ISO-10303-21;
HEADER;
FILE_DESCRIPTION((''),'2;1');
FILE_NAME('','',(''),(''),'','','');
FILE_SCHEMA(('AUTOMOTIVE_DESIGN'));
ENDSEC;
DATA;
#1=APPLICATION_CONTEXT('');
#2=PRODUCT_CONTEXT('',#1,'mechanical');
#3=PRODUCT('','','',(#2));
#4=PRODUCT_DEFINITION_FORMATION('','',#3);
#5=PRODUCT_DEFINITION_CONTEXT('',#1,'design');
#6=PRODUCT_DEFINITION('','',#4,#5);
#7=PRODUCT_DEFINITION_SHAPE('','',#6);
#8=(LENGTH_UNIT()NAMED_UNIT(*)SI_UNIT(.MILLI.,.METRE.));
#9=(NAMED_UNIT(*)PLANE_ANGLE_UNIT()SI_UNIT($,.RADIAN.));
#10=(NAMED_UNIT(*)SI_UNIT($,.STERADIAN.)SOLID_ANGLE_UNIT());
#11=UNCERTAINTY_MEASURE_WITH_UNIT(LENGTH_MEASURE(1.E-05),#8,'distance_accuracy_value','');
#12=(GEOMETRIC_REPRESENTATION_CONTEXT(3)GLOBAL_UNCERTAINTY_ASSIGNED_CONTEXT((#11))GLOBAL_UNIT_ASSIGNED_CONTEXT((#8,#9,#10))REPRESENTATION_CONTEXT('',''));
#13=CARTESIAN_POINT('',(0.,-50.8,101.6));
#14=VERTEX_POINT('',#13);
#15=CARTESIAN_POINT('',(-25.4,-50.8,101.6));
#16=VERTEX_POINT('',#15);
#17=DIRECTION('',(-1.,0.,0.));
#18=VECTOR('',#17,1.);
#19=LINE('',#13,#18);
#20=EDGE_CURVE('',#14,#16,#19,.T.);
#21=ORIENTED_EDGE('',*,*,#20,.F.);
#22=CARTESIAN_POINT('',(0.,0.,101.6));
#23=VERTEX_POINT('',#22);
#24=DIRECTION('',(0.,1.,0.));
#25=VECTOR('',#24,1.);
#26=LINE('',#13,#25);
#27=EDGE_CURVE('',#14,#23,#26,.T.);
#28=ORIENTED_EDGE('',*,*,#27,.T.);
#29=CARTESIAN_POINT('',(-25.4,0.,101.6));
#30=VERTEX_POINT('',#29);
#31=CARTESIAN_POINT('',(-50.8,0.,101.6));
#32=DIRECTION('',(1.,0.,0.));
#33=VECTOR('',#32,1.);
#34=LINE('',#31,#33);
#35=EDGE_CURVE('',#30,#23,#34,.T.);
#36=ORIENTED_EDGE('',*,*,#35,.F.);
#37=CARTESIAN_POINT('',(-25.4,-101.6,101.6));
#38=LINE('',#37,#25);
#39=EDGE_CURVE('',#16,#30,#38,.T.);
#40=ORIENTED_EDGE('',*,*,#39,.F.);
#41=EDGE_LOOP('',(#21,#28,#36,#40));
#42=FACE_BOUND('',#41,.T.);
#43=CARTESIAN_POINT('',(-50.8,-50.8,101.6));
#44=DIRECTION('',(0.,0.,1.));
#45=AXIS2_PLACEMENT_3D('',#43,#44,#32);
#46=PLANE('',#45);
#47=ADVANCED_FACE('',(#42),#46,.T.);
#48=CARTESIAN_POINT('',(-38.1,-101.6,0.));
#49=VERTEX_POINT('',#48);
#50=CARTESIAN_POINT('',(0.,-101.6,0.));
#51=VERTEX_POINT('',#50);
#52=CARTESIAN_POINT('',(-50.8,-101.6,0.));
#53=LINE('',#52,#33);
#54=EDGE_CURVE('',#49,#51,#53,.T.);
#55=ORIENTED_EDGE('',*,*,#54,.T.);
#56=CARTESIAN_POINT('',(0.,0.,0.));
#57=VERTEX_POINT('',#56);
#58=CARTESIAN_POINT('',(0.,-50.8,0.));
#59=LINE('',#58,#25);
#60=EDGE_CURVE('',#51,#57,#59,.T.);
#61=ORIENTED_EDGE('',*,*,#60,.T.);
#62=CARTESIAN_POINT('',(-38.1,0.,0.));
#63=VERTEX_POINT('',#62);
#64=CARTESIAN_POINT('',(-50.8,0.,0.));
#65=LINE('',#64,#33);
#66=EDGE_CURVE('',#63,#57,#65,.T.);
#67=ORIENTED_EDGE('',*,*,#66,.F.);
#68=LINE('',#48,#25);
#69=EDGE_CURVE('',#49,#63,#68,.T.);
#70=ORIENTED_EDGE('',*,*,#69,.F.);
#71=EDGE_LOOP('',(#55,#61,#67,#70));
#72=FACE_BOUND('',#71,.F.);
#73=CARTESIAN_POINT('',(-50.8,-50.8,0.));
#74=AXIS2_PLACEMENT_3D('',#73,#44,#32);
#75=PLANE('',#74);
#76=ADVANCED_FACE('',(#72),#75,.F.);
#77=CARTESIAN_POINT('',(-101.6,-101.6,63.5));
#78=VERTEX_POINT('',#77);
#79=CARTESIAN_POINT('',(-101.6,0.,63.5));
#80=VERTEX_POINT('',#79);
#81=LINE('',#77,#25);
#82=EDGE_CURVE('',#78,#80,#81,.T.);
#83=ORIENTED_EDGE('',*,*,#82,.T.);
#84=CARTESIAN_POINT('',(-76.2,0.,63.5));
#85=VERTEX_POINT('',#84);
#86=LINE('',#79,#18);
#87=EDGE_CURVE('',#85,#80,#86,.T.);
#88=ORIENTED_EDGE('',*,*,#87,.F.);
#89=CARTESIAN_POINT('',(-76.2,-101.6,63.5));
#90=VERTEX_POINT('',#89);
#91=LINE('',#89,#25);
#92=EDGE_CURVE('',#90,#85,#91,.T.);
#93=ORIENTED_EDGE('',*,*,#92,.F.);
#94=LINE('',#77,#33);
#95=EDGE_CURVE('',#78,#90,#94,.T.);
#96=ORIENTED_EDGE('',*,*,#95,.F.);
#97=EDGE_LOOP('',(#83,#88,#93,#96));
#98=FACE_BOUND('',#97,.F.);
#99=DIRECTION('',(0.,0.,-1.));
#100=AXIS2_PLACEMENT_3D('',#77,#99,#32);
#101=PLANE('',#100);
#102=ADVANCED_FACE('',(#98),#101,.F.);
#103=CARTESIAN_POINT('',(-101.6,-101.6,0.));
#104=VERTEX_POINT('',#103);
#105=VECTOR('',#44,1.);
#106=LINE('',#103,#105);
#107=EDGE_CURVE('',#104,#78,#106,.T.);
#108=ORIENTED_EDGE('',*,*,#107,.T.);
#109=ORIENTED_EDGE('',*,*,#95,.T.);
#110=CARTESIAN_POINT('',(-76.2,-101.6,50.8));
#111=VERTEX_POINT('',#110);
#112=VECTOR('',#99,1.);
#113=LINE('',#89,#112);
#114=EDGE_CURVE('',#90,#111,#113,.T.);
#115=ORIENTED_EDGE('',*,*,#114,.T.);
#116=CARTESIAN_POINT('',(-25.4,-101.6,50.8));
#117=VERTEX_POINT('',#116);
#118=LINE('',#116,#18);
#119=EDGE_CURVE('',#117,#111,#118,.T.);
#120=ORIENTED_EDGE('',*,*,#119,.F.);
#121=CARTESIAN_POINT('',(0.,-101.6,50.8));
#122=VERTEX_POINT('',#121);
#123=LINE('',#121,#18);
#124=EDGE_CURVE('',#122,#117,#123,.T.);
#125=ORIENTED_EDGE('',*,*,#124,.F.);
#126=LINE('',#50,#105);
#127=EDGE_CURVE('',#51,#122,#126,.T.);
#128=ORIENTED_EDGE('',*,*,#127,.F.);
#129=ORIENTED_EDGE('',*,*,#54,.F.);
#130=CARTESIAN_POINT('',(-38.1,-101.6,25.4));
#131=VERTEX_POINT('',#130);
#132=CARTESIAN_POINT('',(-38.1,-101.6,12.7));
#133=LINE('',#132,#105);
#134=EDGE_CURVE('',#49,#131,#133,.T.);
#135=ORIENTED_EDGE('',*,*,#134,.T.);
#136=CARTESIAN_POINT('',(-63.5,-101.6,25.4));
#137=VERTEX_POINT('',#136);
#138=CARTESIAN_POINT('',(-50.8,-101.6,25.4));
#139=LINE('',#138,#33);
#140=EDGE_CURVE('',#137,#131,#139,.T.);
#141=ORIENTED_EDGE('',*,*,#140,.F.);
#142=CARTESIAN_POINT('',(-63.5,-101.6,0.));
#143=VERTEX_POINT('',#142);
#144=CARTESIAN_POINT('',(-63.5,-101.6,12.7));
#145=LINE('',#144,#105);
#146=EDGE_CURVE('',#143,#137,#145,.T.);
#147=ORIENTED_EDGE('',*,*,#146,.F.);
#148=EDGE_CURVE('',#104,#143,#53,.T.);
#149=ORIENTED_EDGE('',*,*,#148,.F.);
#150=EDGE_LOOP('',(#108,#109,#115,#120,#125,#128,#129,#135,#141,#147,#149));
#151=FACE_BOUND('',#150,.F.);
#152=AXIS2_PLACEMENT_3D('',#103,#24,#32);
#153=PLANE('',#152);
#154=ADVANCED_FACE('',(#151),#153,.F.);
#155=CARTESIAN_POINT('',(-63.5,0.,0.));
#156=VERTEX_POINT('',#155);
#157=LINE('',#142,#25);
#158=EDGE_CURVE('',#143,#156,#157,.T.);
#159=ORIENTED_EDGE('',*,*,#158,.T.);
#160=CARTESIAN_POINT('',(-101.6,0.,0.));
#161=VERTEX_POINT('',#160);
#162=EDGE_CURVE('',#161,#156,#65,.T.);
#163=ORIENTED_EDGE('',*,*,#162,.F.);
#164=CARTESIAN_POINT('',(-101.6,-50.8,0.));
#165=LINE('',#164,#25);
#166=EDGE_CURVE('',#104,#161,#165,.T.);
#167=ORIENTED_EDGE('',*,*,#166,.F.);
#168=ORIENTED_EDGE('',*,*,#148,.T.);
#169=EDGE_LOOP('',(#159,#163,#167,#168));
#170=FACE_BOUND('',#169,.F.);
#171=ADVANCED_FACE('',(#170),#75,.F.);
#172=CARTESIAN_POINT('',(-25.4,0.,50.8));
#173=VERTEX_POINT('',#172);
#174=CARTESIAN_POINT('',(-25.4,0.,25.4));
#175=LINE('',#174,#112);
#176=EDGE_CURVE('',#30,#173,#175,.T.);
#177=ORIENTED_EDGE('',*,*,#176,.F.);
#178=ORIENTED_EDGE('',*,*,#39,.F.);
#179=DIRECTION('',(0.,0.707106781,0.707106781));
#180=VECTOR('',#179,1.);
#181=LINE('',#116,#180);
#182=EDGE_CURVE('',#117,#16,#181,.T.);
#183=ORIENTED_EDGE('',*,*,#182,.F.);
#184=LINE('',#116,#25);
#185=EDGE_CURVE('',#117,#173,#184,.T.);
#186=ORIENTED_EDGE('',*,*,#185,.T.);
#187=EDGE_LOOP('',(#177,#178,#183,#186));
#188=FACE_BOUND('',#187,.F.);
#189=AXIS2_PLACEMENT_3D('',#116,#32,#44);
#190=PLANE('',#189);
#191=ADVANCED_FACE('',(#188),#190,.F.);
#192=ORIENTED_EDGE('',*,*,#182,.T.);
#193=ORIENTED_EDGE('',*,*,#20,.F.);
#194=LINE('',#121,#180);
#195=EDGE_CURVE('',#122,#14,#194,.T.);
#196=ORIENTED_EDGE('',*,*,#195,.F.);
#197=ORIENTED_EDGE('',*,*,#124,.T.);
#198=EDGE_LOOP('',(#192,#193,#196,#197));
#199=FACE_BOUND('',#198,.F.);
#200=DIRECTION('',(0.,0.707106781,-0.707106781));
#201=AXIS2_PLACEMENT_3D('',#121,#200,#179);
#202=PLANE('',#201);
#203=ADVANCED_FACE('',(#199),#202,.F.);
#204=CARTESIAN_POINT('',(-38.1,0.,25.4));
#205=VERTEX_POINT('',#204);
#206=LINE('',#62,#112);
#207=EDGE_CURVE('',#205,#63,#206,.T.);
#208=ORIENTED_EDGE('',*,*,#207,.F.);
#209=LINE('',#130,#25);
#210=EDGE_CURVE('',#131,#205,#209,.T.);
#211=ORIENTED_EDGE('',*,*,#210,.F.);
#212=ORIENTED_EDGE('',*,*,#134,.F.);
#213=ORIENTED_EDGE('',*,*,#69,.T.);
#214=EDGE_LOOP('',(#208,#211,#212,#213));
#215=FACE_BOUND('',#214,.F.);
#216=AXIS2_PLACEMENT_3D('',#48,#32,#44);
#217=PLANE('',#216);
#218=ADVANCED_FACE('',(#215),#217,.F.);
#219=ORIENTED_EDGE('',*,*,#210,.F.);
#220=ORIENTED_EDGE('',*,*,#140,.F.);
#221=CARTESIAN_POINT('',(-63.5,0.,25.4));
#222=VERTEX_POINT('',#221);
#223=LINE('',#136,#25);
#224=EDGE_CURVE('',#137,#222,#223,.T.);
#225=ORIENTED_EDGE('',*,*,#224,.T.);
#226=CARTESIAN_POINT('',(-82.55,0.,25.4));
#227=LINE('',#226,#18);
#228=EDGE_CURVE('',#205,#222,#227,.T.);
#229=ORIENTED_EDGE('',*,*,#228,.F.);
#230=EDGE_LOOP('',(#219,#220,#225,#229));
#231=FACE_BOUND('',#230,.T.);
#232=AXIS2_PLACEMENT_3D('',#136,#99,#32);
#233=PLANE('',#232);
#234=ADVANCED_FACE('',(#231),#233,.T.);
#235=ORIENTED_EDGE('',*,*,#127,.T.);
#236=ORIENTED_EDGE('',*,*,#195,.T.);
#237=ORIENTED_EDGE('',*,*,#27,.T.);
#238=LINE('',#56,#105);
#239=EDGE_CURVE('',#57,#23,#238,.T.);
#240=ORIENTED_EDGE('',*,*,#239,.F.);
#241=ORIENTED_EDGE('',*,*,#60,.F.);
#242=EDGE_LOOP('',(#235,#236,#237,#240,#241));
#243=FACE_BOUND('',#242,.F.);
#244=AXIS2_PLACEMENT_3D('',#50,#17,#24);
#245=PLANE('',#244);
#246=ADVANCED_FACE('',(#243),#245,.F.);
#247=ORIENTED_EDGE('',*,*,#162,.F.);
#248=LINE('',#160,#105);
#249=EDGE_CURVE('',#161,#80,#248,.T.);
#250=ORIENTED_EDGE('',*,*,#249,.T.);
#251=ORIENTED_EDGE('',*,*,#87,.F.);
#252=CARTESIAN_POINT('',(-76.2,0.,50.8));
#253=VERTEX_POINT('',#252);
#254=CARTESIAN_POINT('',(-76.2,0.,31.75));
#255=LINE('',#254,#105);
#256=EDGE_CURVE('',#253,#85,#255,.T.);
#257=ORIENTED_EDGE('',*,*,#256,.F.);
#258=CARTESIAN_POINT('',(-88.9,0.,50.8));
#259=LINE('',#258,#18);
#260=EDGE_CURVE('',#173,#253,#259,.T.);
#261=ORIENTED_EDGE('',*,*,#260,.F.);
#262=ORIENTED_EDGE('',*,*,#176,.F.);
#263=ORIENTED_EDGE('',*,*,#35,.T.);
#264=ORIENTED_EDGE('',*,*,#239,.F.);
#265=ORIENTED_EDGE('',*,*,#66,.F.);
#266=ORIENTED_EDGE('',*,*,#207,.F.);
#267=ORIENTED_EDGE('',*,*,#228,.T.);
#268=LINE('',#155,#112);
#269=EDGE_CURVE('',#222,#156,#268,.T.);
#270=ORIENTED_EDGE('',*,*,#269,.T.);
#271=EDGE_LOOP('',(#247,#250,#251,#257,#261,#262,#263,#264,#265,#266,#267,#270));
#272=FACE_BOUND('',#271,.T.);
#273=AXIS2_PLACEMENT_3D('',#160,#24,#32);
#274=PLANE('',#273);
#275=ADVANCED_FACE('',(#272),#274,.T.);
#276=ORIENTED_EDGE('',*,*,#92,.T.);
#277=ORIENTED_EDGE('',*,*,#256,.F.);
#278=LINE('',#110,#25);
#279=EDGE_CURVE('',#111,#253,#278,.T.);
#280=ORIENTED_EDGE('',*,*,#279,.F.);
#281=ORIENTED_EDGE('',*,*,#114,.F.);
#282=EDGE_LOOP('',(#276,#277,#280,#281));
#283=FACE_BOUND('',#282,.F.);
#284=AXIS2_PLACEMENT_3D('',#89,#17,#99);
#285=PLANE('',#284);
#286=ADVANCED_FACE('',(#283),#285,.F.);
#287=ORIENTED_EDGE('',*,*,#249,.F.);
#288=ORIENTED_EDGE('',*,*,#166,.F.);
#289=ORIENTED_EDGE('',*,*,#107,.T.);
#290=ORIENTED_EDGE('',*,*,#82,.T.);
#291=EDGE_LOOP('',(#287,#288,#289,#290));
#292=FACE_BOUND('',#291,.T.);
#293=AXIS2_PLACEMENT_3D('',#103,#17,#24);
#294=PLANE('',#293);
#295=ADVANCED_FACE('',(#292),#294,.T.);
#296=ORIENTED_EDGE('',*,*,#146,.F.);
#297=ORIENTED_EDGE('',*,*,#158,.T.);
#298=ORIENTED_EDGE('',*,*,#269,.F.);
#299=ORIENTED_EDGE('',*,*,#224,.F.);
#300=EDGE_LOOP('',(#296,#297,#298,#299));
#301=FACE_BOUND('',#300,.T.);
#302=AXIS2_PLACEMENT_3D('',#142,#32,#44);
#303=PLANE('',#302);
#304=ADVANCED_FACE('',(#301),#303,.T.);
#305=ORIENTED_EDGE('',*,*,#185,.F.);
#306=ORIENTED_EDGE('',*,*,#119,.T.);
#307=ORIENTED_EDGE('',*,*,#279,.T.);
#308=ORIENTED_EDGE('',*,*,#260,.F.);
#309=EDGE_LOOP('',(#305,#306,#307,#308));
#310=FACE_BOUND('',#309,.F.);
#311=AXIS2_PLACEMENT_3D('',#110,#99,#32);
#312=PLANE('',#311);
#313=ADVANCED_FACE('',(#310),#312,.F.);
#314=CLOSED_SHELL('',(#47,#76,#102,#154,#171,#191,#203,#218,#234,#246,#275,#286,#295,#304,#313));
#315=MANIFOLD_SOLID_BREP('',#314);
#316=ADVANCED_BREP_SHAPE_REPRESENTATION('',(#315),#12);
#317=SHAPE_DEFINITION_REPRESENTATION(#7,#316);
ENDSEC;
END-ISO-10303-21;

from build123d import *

# Parameters (mm, degrees)
F0_W     = 101.6
F0_H     = 101.6
F1_DEPTH = 101.6
F2_W     = 25.4
F2_H     = 25.4
F3_DEPTH = 115.062
F5_DEPTH = 27.178


with BuildPart() as f1:
    # F0 (on Top) → F1 (new body)
    with BuildSketch(Plane.XY):
        with Locations((-50.8, -50.8)):
            Rectangle(F0_W, F0_H)
    extrude(amount=F1_DEPTH)

    # F2 (on face) → F3 (cut)
    with BuildSketch(Plane.XZ.offset(101.6)):
        Polygon((-101.6, 101.6), (-101.6, 63.5), (-76.2, 63.5), (-76.2, 50.8), (-25.4, 50.8), (-25.4, 101.6), align=None)
        with Locations((-50.8, 12.7)):
            Rectangle(F2_W, F2_H)
    extrude(amount=-F3_DEPTH, mode=Mode.SUBTRACT)

    # F4 (on face) → F5 (cut)
    with BuildSketch(Plane.YZ):
        Polygon((-101.6, 101.6), (-101.6, 50.8), (-50.8, 101.6), align=None)
    extrude(amount=-F5_DEPTH, mode=Mode.SUBTRACT)


solid = f1.part
